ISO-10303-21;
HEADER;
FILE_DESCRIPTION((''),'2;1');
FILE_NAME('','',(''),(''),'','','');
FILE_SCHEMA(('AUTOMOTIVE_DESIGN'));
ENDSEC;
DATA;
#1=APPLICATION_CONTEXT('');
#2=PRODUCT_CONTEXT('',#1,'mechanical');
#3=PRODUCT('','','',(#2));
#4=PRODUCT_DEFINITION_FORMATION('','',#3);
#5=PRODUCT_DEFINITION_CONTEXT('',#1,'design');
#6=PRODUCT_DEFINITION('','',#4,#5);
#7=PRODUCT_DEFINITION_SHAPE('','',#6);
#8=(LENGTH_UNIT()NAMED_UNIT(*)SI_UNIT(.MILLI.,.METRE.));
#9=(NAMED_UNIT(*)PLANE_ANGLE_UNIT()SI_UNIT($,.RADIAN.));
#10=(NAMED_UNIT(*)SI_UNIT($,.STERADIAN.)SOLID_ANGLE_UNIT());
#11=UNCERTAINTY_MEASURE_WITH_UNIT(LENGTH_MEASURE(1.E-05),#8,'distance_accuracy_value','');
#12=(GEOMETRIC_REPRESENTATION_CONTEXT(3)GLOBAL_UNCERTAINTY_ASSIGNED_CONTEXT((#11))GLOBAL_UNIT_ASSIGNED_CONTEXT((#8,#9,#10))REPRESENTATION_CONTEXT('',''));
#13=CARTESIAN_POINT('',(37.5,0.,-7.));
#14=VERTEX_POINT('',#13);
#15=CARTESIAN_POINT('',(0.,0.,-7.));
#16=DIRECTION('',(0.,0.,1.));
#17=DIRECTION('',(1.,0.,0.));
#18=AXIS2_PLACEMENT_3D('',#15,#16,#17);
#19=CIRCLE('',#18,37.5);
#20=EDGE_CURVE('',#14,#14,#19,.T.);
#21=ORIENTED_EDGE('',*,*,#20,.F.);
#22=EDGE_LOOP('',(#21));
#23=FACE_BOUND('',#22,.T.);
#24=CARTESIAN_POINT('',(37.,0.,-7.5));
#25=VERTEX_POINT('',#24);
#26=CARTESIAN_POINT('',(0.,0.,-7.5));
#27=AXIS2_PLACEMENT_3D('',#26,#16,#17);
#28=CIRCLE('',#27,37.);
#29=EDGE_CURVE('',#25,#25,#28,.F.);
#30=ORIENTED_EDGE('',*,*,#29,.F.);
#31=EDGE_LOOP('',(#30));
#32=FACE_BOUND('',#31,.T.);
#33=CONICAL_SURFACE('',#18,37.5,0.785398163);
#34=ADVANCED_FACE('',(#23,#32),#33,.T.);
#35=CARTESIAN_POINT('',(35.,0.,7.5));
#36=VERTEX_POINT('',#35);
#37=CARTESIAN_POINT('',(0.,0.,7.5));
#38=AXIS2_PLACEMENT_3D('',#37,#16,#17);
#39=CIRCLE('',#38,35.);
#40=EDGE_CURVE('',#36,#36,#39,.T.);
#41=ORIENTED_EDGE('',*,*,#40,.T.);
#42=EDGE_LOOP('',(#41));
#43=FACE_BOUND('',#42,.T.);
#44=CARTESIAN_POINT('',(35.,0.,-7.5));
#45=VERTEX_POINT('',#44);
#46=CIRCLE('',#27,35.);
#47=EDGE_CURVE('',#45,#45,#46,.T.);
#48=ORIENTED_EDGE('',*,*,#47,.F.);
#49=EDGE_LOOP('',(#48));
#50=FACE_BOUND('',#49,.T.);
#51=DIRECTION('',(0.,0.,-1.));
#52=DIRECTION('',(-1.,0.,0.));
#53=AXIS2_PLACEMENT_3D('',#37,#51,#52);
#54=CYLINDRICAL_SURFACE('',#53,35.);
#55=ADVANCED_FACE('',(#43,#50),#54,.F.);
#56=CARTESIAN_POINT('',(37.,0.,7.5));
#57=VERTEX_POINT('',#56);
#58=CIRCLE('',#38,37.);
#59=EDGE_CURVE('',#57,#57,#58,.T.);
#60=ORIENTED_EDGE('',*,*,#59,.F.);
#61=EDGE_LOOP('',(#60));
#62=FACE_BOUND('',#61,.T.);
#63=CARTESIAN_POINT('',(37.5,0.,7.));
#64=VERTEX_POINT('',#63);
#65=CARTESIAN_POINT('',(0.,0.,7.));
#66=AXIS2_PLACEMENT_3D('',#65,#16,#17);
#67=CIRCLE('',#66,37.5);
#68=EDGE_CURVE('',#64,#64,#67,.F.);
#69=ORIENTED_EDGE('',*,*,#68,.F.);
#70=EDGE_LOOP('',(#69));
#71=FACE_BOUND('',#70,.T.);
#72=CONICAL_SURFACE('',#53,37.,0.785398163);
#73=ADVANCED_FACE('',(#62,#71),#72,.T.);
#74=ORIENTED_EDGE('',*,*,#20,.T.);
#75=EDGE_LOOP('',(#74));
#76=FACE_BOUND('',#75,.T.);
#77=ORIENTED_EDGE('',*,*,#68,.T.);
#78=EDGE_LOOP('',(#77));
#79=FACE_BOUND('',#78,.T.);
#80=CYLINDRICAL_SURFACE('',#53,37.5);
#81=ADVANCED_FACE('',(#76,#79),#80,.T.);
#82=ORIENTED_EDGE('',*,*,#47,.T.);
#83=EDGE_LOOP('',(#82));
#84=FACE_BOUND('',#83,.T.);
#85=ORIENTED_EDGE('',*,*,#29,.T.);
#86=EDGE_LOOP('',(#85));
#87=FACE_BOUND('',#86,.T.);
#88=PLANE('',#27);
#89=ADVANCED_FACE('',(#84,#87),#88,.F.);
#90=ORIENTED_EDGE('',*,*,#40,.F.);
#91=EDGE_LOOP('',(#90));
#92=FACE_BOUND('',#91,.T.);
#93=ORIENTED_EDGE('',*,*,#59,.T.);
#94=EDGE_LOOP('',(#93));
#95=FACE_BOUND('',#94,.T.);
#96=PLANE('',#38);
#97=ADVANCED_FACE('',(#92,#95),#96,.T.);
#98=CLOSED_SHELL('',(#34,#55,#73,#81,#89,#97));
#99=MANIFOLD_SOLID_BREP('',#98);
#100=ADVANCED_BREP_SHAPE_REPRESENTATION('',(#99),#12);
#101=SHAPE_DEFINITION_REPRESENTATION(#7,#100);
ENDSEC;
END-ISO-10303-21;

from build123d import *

# Parameters (mm, degrees)
SKETCH1_R           = 37.5
SKETCH1_R_2         = 35
BOSS_EXTRUDE1_DEPTH = 7.5
CHAMFER1_SIZE       = 0.5


with BuildPart() as part:
    # Sketch1 → Boss-Extrude1 (new body, symmetric)
    with BuildSketch(Plane.XY):
        Circle(SKETCH1_R)
        Circle(SKETCH1_R_2, mode=Mode.SUBTRACT)
    extrude(amount=BOSS_EXTRUDE1_DEPTH, both=True)

    # Chamfer1
    chamfer1_edges = [part.edges().sort_by_distance(p)[0] for p in [
        (-37.5, 0, -7.5),
        (-37.5, 0, 7.5),
    ]]
    chamfer(chamfer1_edges, length=CHAMFER1_SIZE)


solid = part.part
